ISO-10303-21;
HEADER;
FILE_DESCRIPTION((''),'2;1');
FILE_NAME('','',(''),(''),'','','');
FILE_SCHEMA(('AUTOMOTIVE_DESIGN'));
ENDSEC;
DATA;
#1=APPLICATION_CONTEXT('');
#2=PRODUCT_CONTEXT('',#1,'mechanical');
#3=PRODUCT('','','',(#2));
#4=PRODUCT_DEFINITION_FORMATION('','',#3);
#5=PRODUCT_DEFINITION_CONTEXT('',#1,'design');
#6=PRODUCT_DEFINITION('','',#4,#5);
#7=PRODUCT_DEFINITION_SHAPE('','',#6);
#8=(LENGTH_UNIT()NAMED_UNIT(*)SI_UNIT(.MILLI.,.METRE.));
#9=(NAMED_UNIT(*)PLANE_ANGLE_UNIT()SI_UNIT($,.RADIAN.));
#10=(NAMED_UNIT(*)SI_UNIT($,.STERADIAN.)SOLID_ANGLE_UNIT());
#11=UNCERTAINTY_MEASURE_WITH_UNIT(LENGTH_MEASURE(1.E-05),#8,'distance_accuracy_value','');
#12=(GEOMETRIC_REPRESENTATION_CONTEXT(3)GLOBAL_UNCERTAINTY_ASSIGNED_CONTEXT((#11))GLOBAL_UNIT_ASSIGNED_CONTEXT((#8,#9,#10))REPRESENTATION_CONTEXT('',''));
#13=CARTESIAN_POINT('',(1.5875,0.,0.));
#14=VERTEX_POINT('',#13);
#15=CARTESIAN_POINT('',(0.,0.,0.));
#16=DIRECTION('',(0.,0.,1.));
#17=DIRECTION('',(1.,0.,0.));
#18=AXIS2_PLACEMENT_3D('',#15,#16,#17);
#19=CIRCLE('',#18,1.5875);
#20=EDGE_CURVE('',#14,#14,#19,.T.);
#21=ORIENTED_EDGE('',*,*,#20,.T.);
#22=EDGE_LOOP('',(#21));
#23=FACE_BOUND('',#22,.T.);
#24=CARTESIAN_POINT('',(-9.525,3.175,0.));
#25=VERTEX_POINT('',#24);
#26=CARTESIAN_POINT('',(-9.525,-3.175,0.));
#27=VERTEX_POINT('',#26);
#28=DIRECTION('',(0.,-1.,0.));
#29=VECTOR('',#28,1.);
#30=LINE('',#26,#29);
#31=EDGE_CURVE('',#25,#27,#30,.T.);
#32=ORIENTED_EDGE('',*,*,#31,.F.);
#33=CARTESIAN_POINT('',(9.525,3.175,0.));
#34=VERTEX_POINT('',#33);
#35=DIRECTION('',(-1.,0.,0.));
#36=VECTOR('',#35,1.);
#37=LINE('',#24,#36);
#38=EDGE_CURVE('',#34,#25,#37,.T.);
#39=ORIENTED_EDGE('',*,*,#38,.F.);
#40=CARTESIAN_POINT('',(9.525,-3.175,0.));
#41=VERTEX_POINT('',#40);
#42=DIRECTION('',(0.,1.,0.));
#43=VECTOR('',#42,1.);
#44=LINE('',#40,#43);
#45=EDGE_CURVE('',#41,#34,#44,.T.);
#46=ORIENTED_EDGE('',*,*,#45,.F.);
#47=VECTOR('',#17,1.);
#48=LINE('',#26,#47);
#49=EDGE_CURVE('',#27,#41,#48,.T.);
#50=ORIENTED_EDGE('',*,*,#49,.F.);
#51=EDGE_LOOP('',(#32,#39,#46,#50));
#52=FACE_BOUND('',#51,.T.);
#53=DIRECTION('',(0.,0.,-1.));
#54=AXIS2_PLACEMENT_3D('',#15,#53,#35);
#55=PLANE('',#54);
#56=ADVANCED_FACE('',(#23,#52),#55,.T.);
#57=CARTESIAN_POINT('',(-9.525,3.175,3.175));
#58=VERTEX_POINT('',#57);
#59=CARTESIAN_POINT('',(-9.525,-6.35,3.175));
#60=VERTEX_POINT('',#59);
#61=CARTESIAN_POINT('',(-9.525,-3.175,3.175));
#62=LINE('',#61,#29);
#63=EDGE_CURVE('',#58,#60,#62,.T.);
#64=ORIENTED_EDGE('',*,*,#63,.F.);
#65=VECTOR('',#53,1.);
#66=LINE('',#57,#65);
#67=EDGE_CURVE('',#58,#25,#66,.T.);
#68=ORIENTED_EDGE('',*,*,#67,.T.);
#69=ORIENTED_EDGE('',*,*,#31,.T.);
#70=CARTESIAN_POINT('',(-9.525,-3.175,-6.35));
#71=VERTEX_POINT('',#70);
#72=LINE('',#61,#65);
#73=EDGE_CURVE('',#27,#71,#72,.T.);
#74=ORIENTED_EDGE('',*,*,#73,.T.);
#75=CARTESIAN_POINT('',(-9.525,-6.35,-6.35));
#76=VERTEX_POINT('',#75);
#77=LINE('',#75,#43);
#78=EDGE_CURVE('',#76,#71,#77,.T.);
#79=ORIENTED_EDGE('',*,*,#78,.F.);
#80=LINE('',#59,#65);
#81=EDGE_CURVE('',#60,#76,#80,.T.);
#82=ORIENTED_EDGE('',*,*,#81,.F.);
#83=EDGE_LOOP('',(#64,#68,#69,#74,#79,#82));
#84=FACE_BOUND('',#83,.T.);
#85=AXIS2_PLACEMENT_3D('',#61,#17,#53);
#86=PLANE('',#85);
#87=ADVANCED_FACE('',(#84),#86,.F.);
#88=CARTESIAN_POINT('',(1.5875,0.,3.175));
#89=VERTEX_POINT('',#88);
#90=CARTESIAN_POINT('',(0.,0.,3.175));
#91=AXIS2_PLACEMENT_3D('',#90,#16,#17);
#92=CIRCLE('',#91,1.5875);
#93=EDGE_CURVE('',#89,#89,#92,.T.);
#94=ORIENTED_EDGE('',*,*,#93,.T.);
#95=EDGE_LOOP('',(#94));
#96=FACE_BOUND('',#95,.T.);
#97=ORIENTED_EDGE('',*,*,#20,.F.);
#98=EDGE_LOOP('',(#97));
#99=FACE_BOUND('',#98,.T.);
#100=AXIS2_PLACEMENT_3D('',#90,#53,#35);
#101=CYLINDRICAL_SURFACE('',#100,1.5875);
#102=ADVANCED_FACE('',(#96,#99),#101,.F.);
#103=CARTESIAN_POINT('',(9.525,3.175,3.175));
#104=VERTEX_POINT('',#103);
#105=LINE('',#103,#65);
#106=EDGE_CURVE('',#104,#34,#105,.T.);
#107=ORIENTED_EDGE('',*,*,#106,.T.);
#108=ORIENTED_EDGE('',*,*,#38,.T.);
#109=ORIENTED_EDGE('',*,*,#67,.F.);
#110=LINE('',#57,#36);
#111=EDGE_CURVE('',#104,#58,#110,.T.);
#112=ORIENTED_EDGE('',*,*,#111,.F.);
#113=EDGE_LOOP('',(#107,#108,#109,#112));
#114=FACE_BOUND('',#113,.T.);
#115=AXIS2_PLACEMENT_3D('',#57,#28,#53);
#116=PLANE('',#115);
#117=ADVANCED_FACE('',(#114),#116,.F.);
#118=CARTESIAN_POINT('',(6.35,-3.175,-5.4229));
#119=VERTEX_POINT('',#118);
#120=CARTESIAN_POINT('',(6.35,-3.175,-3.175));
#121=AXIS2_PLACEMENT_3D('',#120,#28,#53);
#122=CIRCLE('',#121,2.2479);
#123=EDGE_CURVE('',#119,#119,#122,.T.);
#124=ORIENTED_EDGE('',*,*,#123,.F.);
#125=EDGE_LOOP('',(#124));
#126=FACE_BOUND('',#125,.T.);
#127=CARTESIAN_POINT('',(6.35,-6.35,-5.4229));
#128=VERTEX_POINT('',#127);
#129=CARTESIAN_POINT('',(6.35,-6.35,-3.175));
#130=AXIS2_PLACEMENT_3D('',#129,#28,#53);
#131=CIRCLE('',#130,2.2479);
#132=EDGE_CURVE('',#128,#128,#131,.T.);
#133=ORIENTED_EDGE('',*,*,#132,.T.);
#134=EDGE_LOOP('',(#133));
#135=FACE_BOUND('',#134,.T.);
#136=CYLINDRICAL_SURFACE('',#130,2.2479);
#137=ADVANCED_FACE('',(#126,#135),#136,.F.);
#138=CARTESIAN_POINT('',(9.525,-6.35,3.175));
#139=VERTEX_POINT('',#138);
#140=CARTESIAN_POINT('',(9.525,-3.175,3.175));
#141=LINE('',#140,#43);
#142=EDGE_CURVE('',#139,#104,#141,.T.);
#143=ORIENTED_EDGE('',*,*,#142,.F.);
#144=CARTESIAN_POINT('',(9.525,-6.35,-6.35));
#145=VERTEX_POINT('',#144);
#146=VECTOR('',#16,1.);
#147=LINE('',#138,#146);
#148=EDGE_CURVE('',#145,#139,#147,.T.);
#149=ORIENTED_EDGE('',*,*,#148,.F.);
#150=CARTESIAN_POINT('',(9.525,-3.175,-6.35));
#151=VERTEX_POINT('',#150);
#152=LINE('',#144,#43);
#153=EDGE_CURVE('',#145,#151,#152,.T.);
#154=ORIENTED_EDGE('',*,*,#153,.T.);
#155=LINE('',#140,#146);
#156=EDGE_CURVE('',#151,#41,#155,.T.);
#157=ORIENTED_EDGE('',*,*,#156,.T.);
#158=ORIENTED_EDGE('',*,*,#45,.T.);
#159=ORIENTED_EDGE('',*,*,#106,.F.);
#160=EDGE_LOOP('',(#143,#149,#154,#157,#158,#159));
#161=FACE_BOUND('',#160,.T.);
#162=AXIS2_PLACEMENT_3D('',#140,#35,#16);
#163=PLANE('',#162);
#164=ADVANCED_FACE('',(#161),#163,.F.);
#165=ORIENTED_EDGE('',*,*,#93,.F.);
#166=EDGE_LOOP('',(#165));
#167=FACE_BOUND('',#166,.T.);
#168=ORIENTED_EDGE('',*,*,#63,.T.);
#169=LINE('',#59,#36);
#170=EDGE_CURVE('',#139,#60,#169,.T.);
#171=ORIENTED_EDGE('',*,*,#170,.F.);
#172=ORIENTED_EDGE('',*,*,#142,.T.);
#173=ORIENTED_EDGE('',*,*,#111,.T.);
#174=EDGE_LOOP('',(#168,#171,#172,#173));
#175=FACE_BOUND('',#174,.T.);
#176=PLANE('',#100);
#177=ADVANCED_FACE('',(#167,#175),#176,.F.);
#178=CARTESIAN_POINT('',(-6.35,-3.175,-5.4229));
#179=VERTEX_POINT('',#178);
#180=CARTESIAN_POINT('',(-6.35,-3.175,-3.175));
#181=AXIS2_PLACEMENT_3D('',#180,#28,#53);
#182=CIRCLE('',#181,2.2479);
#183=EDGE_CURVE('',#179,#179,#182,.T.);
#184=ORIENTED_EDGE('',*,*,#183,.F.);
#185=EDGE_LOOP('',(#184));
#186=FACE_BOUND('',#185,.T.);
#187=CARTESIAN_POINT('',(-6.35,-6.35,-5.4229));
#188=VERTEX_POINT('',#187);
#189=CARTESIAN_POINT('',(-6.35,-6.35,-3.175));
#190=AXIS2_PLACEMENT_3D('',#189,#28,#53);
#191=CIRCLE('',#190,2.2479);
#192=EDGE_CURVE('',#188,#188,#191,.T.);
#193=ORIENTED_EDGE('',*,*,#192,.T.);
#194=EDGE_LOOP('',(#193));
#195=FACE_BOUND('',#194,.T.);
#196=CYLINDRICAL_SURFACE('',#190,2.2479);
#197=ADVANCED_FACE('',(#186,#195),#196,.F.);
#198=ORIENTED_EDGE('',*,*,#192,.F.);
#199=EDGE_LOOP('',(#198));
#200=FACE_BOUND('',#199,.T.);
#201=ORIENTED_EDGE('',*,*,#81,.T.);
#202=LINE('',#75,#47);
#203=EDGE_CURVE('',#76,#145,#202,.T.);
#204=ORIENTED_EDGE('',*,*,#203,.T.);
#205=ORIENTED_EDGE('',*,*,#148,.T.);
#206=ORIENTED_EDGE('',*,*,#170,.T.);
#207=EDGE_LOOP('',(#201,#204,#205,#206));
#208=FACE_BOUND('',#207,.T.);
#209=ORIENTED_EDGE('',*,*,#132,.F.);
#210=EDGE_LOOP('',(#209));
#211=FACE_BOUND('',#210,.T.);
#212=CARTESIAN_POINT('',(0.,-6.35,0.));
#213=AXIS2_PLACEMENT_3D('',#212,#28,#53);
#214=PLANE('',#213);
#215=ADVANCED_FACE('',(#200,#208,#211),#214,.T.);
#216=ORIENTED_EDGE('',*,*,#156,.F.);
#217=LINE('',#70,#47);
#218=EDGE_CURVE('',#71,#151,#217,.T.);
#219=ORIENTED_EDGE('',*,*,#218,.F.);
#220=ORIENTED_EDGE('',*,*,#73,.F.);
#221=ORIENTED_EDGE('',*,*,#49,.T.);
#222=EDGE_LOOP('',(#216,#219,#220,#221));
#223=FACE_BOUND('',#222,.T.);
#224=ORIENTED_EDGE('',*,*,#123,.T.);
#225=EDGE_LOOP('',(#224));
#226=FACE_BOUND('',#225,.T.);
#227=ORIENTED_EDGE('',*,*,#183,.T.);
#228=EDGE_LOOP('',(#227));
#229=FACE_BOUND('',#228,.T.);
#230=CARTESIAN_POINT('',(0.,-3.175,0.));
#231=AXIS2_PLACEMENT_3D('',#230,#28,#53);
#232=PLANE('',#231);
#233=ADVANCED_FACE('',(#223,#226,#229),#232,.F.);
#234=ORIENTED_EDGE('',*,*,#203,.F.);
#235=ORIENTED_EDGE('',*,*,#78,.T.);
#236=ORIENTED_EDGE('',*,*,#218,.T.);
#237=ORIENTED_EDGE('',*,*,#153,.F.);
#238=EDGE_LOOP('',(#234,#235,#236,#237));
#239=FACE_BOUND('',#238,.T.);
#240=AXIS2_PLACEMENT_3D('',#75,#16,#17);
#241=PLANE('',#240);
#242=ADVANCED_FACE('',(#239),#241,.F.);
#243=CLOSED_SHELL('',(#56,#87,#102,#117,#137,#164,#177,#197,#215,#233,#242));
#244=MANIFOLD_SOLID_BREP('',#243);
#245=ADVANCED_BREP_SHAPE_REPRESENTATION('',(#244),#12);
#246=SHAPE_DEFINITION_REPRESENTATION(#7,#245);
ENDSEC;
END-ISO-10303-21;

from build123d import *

# Parameters (mm, degrees)
SKETCH1_W             = 19.05
SKETCH1_H             = 6.35
SKETCH1_R             = 1.5875
BOSS_EXTRUDE1_DEPTH   = 3.175
SKETCH2_W             = 19.05
SKETCH2_H             = 9.525
BOSS_EXTRUDE2_DEPTH   = 3.175
F_8_CLEARANCE_HOLE1_D = 4.4958


with BuildPart() as part:
    # Sketch1 → Boss-Extrude1 (new body)
    with BuildSketch(Plane.XY):
        Rectangle(SKETCH1_W, SKETCH1_H)
        Circle(SKETCH1_R, mode=Mode.SUBTRACT)
    extrude(amount=BOSS_EXTRUDE1_DEPTH)

    # Sketch2 → Boss-Extrude2 (add)
    with BuildSketch(Plane.XZ.offset(3.175)):
        with Locations((0, -1.5875)):
            Rectangle(SKETCH2_W, SKETCH2_H)
    extrude(amount=BOSS_EXTRUDE2_DEPTH)

    # #8 Clearance Hole1 (through all)
    with Locations(Plane(origin=(0, -6.35, 0), x_dir=(-1, 0, 0), z_dir=(0, -1, 0))):
        with Locations((-6.35, 3.175), (6.35, 3.175)):
            Hole(F_8_CLEARANCE_HOLE1_D / 2)


solid = part.part
